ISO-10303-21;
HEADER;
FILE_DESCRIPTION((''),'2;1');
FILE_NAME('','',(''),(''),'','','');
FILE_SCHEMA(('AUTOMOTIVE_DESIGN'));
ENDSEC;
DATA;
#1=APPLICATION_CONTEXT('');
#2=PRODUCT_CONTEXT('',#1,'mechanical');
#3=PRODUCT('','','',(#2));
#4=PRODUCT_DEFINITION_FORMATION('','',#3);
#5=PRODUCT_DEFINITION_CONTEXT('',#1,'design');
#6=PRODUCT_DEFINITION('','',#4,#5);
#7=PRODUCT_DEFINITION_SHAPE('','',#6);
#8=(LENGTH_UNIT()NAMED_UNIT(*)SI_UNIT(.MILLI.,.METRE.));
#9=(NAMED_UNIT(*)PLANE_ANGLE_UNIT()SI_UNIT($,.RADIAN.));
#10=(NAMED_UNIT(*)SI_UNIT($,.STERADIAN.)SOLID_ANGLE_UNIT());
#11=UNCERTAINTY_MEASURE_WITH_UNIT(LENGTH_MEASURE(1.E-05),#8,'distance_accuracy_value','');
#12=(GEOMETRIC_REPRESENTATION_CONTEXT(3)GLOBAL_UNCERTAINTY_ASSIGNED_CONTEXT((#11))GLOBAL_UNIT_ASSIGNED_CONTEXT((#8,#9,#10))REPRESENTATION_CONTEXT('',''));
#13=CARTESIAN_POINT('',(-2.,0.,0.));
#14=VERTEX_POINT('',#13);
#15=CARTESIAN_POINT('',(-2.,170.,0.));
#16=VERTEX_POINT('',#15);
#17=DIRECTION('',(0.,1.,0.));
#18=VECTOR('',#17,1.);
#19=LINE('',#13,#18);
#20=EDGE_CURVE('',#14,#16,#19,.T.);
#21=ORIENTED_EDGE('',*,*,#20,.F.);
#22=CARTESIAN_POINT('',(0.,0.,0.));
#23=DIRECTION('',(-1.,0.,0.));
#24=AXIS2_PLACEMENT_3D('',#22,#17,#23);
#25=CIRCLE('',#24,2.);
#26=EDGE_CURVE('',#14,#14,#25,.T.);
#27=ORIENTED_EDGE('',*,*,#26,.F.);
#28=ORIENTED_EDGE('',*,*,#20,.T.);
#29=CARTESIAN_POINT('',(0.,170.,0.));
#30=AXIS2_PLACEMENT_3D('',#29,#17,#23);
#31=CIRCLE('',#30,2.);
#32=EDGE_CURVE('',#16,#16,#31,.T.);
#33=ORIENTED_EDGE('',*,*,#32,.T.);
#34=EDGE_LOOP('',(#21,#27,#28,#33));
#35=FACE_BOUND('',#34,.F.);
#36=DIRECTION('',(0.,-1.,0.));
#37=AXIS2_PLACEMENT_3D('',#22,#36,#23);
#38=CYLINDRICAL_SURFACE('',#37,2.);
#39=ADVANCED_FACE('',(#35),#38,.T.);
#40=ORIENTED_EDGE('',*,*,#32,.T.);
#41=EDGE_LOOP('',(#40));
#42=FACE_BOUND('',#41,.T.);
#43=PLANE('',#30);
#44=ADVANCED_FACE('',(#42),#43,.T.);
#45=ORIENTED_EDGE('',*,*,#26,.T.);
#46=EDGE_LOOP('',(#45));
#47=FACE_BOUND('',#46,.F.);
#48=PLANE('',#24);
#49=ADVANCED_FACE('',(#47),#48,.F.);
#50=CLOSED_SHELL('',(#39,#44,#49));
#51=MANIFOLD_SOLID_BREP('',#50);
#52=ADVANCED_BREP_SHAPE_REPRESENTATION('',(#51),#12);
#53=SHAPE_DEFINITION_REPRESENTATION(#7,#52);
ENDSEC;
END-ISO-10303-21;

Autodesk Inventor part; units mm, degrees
ref_plane "YZ Plane" through (0, 0, 0) normal (1, 0, 0) x (0, 1, 0)
ref_plane "XZ Plane" through (0, 0, 0) normal (0, 1, 0) x (-1, 0, 0)
ref_plane "XY Plane" through (0, 0, 0) normal (0, 0, 1) x (1, 0, 0)
sketch "Sketch1" plane through (0, 0, 0) normal (0, 1, 0) x (-1, 0, 0)
  circle A0 centre (0, 0) radius 2
  dimension "d0" = 4
extrude "Extrusion1" add sketch "Sketch1" along normal blind 170
properties part number "al_rod"
